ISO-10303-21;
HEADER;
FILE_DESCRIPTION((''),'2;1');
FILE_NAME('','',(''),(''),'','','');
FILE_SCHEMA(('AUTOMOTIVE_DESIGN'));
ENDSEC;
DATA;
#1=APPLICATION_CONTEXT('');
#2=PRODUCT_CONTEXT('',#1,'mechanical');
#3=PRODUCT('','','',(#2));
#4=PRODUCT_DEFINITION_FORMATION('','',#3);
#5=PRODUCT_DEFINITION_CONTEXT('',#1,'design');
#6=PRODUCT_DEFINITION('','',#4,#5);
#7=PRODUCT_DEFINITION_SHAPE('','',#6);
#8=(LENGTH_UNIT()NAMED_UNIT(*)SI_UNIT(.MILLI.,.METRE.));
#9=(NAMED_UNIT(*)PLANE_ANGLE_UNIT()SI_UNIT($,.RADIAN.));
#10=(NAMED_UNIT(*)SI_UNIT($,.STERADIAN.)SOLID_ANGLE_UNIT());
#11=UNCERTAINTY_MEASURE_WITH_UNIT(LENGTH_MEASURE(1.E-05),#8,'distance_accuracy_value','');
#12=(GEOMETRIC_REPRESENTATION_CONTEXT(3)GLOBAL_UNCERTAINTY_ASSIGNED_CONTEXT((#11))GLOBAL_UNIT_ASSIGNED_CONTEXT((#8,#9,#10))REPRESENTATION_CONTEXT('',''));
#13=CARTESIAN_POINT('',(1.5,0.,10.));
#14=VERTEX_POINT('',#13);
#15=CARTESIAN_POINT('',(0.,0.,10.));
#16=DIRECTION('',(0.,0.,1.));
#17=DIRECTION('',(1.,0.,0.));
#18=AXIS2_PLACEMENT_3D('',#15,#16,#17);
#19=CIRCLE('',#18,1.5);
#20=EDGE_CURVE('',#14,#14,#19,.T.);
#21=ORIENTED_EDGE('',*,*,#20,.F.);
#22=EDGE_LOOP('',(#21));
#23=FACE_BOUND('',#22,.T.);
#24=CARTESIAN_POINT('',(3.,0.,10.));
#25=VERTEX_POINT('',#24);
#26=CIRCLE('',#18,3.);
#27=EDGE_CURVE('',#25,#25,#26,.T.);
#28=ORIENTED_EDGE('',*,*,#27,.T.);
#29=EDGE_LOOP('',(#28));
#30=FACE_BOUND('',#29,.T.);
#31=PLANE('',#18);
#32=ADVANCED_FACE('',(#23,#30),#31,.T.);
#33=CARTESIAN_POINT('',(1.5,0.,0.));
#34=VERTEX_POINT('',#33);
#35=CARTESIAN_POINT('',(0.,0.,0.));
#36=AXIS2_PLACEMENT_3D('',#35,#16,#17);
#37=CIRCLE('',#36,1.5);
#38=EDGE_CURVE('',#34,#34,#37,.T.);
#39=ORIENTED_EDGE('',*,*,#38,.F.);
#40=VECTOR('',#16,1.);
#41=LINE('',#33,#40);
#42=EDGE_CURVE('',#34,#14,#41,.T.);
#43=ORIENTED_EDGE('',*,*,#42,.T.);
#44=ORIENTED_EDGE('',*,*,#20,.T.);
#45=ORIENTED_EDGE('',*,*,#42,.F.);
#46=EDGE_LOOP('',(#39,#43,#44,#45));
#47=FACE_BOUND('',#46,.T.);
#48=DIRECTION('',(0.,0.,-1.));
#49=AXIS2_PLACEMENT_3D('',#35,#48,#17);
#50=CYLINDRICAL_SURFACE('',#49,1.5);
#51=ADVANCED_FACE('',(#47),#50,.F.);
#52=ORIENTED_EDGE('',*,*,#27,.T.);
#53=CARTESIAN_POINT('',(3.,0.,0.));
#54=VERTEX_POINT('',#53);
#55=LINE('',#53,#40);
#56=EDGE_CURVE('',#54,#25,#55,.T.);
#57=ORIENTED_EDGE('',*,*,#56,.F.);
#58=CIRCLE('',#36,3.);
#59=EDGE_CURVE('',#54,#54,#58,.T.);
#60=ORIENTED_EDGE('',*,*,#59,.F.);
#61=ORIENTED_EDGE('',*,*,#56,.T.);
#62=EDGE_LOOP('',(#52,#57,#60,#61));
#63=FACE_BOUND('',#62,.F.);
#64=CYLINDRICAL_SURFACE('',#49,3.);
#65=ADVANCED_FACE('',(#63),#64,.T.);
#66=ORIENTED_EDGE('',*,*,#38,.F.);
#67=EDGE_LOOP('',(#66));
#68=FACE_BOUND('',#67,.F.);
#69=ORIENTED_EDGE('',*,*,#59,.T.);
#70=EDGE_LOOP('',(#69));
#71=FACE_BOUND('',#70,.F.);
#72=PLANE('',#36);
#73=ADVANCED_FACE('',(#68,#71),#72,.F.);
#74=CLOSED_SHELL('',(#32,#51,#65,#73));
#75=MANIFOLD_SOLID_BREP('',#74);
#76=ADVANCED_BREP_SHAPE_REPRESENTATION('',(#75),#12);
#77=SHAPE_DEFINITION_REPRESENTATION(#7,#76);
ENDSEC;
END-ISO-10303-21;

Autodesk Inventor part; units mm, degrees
ref_plane "YZ Plane" through (0, 0, 0) normal (1, 0, 0) x (0, 1, 0)
ref_plane "XZ Plane" through (0, 0, 0) normal (0, 1, 0) x (-1, 0, 0)
ref_plane "XY Plane" through (0, 0, 0) normal (0, 0, 1) x (1, 0, 0)
sketch "スケッチ1" plane through (0, 0, 0) normal (0, 0, 1) x (1, 0, 0)
  circle A0 centre (0, 0) radius 3
  circle A1 centre (0, 0) radius 1.5
  dimension "d0" = 6
  dimension "d1" = 3
extrude "押し出し1" add sketch "スケッチ1" along normal blind 10
properties part number "スペーサーm3-10　簡易筒型" material "アルミニウム 2014-T4"
